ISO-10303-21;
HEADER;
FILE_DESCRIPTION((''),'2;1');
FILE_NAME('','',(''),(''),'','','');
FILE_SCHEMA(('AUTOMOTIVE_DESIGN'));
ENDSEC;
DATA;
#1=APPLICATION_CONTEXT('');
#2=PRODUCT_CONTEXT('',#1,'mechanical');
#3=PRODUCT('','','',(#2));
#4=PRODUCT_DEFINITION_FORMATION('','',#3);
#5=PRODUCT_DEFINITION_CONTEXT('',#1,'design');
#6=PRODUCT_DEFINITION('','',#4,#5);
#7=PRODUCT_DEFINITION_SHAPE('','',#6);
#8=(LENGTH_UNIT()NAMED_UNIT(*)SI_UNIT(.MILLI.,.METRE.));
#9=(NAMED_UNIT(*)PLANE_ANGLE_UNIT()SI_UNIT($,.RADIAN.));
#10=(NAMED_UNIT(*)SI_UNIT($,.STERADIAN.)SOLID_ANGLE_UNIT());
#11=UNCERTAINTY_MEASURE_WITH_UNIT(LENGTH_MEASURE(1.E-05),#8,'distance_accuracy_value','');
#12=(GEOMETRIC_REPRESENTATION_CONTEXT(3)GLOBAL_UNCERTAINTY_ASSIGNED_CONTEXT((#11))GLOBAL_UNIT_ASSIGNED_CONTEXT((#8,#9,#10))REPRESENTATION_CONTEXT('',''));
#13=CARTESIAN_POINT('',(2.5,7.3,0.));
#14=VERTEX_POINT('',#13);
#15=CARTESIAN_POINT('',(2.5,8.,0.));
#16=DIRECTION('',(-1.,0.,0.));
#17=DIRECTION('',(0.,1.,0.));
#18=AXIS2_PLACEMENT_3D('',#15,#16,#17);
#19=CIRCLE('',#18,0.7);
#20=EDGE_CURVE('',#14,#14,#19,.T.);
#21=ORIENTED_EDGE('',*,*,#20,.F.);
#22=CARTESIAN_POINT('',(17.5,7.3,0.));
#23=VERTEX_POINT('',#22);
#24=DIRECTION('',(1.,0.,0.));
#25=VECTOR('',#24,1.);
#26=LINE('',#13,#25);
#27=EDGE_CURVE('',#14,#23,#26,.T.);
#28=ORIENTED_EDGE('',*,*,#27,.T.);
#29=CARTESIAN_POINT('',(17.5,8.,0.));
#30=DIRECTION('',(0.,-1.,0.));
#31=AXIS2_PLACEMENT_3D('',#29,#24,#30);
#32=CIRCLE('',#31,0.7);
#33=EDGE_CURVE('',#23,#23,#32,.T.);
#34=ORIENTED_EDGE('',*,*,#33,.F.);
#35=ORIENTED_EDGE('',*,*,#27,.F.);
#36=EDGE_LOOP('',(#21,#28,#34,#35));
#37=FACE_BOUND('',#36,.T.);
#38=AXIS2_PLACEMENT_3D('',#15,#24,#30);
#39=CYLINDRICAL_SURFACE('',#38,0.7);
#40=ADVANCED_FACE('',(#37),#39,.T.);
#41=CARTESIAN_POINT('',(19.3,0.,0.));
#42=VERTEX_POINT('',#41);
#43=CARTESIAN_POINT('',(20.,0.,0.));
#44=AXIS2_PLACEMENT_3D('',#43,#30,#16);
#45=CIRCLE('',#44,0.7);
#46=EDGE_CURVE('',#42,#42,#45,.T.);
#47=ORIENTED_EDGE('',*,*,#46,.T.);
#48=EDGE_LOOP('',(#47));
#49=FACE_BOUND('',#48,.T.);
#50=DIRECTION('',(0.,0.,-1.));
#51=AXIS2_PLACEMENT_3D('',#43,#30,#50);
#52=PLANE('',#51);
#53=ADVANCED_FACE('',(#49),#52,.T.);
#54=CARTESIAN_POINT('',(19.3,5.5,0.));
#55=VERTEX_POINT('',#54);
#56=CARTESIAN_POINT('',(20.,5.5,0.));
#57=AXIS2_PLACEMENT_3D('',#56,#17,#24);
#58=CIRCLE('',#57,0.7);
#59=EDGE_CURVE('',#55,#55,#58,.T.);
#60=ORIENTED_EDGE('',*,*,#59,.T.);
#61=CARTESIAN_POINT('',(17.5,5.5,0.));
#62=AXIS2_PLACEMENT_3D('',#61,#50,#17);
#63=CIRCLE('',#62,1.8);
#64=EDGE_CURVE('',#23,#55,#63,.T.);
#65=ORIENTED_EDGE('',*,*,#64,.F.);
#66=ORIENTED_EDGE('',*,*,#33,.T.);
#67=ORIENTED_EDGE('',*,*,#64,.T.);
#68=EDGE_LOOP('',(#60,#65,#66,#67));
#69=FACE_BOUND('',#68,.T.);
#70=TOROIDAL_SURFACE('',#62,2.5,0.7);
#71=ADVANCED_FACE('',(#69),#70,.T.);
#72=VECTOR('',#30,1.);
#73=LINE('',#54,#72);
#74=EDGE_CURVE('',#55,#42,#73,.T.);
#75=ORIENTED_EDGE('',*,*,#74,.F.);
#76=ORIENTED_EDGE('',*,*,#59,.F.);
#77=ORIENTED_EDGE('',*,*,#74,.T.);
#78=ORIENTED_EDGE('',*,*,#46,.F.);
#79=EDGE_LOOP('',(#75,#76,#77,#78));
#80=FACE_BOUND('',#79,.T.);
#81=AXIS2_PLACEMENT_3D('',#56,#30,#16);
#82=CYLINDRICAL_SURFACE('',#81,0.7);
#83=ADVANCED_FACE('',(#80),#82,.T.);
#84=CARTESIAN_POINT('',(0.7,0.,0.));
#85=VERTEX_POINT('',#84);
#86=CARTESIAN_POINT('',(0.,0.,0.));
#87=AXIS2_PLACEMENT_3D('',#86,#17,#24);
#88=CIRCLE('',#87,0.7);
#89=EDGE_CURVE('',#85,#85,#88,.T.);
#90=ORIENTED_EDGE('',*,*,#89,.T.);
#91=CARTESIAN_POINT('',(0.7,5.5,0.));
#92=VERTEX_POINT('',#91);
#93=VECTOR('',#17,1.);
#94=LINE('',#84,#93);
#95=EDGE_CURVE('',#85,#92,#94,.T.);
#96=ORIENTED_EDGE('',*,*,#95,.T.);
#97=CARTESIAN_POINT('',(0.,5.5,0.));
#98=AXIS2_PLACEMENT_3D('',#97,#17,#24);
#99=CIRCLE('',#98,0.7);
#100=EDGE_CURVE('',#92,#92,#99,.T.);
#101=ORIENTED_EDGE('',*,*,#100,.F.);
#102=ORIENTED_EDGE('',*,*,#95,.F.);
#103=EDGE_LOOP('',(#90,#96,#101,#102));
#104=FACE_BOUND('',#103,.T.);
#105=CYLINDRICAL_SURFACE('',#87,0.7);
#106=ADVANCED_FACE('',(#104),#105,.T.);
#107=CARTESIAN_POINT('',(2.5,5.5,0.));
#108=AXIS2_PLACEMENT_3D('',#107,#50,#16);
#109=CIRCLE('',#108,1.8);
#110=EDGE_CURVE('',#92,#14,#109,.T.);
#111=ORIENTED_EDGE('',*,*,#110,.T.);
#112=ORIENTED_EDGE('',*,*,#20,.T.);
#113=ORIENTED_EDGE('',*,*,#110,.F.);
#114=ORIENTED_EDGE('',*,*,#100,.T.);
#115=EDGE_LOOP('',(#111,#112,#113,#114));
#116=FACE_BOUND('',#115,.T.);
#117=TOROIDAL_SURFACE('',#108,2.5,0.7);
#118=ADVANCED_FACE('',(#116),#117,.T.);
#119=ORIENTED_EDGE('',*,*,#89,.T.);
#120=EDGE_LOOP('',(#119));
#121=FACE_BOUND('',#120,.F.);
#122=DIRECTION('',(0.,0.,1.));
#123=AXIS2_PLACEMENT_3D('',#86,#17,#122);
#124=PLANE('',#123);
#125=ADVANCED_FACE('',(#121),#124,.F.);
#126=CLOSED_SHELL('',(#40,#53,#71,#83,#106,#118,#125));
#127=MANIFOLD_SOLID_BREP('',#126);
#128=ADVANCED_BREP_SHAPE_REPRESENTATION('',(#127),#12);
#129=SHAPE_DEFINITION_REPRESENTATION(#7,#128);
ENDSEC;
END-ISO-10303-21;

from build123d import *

# Parameters (mm, degrees)
SKETCH2_R = 0.7


with BuildPart() as part:
    # Sweep1: sweep along a path in Sketch1
    with BuildLine(Plane.XY) as sweep1_path:
        Line((0, 0), (0, 5.5))
        ThreePointArc((0, 5.5), (0.732233047, 7.267766953), (2.5, 8))
        Line((2.5, 8), (17.5, 8))
        ThreePointArc((17.5, 8), (19.267766953, 7.267766953), (20, 5.5))
        Line((20, 5.5), (20, 0))
    # Sketch2 → Sweep1 (sweep)
    with BuildSketch(Plane(origin=(0, 0, 0), x_dir=(1, 0, 0), z_dir=(0, 1, 0))):
        Circle(SKETCH2_R)
    sweep(path=sweep1_path.line)


solid = part.part
